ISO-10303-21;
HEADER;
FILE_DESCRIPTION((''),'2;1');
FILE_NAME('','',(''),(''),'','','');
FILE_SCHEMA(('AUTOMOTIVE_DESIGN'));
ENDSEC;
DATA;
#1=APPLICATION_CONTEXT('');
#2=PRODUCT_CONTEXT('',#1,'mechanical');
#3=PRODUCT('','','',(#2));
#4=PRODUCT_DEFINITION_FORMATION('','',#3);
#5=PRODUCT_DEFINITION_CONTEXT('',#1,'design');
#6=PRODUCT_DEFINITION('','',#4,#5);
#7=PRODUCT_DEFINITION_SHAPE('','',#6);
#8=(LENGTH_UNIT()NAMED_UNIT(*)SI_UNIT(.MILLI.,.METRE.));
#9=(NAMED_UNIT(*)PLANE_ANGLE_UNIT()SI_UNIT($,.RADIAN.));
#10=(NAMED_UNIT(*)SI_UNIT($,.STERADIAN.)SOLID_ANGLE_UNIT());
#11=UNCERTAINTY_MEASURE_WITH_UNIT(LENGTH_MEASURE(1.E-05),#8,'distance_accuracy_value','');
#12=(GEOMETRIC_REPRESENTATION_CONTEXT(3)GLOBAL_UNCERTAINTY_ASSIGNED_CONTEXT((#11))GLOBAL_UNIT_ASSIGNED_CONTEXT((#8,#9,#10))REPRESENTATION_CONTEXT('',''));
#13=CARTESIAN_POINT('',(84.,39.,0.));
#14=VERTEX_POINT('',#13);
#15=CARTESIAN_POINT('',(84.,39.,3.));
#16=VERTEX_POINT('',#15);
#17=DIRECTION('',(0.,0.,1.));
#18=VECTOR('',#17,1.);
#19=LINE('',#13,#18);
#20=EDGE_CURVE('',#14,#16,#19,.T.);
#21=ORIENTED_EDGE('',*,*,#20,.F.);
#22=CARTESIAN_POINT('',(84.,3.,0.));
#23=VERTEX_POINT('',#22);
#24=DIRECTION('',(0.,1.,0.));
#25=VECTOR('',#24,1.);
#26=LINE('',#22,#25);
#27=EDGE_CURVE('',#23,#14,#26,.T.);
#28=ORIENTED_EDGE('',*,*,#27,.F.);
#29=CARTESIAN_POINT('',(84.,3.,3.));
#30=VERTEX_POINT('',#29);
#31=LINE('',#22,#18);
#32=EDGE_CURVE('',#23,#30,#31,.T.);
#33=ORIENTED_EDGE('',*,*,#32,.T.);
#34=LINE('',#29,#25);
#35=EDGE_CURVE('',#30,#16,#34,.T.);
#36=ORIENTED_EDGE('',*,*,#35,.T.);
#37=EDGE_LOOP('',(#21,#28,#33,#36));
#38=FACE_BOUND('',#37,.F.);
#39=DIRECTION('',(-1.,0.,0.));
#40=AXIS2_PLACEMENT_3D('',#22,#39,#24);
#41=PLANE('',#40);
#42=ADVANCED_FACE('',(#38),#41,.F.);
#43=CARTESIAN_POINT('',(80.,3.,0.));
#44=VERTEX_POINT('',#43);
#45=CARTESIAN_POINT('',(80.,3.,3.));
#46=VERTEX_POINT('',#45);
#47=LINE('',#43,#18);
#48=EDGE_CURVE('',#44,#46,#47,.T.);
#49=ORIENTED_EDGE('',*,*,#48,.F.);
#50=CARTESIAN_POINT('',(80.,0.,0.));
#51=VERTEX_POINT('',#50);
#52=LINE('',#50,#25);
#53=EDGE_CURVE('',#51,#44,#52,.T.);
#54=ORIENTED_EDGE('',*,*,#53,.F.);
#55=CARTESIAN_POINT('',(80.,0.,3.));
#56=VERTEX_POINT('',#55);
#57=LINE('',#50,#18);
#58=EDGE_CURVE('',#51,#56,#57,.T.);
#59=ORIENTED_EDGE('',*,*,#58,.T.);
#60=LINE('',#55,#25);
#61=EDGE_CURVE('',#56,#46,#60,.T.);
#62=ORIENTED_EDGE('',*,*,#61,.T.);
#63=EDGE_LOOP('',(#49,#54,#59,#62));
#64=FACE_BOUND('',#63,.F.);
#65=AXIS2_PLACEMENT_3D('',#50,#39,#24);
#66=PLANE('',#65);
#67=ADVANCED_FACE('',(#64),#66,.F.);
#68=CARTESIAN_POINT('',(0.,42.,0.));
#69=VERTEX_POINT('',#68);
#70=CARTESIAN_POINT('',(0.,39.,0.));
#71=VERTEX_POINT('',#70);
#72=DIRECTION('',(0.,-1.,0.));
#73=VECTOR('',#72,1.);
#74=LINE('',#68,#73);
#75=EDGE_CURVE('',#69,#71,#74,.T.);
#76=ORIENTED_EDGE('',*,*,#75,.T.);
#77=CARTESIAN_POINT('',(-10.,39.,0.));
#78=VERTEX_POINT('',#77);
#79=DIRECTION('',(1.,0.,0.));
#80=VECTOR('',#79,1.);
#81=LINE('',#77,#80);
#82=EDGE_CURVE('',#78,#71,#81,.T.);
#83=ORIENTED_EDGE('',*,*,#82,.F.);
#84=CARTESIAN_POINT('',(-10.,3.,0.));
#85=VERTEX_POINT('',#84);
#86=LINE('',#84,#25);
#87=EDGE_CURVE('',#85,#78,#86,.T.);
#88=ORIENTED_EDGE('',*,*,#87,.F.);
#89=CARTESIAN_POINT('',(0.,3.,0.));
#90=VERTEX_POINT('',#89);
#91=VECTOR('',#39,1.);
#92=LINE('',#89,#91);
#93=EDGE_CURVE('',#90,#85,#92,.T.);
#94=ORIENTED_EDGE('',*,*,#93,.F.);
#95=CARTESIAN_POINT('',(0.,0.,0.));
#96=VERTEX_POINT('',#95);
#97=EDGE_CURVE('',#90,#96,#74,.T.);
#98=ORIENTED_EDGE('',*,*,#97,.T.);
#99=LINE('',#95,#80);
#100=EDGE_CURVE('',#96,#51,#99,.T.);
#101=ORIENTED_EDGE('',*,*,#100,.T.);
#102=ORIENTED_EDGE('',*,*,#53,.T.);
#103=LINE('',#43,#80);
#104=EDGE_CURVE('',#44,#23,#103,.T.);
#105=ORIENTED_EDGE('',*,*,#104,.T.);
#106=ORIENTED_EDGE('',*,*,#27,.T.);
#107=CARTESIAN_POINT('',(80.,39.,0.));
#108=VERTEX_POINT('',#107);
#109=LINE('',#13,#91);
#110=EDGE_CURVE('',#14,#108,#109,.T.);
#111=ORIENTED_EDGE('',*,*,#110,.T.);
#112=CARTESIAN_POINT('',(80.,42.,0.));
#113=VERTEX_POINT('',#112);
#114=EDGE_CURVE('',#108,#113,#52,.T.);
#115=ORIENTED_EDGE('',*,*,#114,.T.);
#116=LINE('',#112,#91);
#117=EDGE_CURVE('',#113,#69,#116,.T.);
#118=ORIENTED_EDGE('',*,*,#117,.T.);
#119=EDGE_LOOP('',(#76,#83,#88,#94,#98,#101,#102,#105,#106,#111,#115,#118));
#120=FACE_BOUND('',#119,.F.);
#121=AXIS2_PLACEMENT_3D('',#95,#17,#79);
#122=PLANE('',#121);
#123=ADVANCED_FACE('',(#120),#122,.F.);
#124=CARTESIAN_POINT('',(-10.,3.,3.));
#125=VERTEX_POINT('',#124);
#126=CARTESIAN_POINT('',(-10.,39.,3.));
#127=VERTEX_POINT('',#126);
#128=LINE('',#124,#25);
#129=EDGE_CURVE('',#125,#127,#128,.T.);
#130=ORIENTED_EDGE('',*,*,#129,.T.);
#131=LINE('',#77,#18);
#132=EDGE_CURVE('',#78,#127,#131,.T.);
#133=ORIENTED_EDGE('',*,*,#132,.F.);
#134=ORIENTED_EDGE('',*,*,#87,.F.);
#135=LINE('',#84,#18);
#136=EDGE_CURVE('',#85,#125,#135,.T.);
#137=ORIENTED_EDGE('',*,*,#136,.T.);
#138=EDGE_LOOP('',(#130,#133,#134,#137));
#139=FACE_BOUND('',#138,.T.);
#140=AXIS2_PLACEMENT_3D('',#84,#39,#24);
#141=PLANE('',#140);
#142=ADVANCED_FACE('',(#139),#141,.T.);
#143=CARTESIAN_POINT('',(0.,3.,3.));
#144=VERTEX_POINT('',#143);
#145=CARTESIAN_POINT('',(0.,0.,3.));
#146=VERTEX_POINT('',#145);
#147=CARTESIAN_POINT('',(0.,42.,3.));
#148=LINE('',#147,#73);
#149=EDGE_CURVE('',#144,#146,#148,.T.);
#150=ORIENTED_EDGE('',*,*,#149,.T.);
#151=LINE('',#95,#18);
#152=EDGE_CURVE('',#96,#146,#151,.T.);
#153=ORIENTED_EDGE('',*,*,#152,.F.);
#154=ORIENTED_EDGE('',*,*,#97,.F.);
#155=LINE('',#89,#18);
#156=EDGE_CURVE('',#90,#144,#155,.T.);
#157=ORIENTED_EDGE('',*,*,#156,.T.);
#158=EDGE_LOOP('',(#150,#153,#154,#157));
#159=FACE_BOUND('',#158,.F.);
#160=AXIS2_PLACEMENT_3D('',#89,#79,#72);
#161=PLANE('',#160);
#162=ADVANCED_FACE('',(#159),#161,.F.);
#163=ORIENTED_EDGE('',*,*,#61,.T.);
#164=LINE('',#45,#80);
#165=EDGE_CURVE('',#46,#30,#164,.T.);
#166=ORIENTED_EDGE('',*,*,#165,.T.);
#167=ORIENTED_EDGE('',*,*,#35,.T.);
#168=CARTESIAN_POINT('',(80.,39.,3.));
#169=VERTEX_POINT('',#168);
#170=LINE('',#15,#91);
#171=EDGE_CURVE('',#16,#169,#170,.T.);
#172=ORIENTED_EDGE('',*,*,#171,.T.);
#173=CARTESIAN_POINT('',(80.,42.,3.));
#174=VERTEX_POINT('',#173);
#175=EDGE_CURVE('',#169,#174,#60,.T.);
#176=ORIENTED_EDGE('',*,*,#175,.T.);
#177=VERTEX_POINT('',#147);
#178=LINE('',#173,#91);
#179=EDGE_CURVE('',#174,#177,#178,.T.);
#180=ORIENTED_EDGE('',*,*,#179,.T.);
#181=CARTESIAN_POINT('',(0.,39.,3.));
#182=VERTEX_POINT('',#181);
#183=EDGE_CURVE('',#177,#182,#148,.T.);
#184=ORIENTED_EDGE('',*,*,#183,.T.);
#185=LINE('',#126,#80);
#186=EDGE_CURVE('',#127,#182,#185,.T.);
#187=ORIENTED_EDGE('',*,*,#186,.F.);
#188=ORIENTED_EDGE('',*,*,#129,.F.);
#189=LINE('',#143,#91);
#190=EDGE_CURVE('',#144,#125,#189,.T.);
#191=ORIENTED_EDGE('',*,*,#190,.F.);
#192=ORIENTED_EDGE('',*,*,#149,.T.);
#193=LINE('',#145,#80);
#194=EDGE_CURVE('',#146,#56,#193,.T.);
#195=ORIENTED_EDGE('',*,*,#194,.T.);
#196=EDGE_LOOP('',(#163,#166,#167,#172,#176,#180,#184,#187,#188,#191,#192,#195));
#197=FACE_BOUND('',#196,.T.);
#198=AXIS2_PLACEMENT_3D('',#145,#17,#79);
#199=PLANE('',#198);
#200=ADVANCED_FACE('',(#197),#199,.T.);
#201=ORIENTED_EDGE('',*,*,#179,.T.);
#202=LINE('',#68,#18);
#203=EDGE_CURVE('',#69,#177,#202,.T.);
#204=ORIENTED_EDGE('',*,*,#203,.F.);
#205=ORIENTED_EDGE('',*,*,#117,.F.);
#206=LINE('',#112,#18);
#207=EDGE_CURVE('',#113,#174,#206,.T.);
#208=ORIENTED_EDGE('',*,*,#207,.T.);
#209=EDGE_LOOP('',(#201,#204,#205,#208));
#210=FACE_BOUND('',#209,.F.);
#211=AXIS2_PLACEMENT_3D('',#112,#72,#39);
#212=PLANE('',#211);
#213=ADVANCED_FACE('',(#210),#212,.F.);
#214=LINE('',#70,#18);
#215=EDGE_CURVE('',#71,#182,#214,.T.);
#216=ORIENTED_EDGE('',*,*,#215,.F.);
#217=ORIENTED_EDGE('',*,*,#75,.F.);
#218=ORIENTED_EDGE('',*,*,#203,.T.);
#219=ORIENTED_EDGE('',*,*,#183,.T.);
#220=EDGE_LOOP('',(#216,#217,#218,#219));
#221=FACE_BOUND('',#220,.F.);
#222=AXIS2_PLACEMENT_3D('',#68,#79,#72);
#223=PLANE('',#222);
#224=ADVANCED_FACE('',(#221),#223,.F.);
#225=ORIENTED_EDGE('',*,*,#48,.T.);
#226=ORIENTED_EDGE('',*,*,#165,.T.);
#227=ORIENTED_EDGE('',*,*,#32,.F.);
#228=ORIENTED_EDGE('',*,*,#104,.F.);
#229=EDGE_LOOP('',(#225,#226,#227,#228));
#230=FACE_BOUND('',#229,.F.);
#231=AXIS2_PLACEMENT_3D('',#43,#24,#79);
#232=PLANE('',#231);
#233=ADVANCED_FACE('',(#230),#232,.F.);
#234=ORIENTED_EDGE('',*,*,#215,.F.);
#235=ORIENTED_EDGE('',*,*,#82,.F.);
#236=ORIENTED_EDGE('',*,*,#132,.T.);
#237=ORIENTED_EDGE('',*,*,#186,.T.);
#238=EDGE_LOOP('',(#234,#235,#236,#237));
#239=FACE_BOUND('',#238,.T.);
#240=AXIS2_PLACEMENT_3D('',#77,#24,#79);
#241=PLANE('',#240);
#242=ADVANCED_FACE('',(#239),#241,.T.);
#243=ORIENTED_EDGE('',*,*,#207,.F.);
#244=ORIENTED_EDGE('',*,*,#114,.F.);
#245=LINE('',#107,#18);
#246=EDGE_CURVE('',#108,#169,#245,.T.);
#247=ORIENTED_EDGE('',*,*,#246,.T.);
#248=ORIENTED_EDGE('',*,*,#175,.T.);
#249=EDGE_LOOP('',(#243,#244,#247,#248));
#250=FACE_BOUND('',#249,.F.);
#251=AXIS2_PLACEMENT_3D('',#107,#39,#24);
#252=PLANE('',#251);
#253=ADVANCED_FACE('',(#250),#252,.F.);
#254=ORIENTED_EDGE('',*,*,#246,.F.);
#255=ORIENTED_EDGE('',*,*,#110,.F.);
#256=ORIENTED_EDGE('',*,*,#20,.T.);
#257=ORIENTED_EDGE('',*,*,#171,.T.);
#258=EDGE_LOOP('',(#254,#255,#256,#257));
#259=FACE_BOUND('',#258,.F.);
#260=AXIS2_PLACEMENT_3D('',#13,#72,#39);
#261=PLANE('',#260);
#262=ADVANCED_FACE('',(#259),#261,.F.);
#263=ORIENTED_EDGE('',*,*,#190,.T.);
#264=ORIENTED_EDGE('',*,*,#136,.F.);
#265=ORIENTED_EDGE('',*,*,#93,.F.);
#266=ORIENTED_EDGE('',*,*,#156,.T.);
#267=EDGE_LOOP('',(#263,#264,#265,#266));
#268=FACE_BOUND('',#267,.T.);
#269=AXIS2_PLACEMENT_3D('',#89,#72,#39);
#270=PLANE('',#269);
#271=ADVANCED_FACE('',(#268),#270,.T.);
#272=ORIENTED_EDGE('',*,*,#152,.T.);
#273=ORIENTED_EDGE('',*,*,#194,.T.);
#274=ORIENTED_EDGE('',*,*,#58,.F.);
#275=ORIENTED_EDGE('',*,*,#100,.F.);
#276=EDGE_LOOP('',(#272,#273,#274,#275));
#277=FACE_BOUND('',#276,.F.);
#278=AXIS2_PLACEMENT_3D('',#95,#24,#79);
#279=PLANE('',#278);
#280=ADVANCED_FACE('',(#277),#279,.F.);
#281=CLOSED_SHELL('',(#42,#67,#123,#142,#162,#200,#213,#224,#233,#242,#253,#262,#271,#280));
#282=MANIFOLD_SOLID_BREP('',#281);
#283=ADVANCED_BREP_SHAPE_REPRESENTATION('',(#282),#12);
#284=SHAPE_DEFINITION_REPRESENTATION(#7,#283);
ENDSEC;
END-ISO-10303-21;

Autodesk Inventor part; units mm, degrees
ref_plane "YZ Plane" through (0, 0, 0) normal (1, 0, 0) x (0, 1, 0)
ref_plane "XZ Plane" through (0, 0, 0) normal (0, 1, 0) x (-1, 0, 0)
ref_plane "XY Plane" through (0, 0, 0) normal (0, 0, 1) x (1, 0, 0)
sketch "Sketch1" plane through (0, 0, 0) normal (0, 0, 1) x (1, 0, 0)
  line L0 (0, 0) -> (80, 0)
  line L1 (80, 0) -> (80, 42)
  line L2 (80, 42) -> (0, 42)
  line L3 (0, 42) -> (0, 0)
  line L4 (84, 39) -> (80, 39)
  line L5 (80, 39) -> (80, 3)
  line L6 (80, 3) -> (84, 3)
  line L7 (84, 3) -> (84, 39)
  line L8 (84, 39) -> (80, 3) construction
  line L9 (80, 39) -> (84, 3) construction
  line L10 (-10, 39) -> (0, 39)
  line L11 (0, 39) -> (0, 3)
  line L12 (0, 3) -> (-10, 3)
  line L13 (-10, 3) -> (-10, 39)
  line L14 (-10, 39) -> (0, 3) construction
  line L15 (0, 39) -> (-10, 3) construction
  point P0 (82, 21)
  point P1 (-5, 21)
  point P2 (0, 39)
  point P3 (0, 39)
  point P4 (110, 40)
  point P5 (0, 40)
  point P6 (80, 21)
  dimension "d0" = 10
  dimension "d1" = 4
  dimension "d2" = 80
  dimension "d3" = 42
  dimension "d4" = 36
extrude "Extrusion1" add sketch "Sketch1" along normal blind 3
properties part number "Battary_holder_part2"
